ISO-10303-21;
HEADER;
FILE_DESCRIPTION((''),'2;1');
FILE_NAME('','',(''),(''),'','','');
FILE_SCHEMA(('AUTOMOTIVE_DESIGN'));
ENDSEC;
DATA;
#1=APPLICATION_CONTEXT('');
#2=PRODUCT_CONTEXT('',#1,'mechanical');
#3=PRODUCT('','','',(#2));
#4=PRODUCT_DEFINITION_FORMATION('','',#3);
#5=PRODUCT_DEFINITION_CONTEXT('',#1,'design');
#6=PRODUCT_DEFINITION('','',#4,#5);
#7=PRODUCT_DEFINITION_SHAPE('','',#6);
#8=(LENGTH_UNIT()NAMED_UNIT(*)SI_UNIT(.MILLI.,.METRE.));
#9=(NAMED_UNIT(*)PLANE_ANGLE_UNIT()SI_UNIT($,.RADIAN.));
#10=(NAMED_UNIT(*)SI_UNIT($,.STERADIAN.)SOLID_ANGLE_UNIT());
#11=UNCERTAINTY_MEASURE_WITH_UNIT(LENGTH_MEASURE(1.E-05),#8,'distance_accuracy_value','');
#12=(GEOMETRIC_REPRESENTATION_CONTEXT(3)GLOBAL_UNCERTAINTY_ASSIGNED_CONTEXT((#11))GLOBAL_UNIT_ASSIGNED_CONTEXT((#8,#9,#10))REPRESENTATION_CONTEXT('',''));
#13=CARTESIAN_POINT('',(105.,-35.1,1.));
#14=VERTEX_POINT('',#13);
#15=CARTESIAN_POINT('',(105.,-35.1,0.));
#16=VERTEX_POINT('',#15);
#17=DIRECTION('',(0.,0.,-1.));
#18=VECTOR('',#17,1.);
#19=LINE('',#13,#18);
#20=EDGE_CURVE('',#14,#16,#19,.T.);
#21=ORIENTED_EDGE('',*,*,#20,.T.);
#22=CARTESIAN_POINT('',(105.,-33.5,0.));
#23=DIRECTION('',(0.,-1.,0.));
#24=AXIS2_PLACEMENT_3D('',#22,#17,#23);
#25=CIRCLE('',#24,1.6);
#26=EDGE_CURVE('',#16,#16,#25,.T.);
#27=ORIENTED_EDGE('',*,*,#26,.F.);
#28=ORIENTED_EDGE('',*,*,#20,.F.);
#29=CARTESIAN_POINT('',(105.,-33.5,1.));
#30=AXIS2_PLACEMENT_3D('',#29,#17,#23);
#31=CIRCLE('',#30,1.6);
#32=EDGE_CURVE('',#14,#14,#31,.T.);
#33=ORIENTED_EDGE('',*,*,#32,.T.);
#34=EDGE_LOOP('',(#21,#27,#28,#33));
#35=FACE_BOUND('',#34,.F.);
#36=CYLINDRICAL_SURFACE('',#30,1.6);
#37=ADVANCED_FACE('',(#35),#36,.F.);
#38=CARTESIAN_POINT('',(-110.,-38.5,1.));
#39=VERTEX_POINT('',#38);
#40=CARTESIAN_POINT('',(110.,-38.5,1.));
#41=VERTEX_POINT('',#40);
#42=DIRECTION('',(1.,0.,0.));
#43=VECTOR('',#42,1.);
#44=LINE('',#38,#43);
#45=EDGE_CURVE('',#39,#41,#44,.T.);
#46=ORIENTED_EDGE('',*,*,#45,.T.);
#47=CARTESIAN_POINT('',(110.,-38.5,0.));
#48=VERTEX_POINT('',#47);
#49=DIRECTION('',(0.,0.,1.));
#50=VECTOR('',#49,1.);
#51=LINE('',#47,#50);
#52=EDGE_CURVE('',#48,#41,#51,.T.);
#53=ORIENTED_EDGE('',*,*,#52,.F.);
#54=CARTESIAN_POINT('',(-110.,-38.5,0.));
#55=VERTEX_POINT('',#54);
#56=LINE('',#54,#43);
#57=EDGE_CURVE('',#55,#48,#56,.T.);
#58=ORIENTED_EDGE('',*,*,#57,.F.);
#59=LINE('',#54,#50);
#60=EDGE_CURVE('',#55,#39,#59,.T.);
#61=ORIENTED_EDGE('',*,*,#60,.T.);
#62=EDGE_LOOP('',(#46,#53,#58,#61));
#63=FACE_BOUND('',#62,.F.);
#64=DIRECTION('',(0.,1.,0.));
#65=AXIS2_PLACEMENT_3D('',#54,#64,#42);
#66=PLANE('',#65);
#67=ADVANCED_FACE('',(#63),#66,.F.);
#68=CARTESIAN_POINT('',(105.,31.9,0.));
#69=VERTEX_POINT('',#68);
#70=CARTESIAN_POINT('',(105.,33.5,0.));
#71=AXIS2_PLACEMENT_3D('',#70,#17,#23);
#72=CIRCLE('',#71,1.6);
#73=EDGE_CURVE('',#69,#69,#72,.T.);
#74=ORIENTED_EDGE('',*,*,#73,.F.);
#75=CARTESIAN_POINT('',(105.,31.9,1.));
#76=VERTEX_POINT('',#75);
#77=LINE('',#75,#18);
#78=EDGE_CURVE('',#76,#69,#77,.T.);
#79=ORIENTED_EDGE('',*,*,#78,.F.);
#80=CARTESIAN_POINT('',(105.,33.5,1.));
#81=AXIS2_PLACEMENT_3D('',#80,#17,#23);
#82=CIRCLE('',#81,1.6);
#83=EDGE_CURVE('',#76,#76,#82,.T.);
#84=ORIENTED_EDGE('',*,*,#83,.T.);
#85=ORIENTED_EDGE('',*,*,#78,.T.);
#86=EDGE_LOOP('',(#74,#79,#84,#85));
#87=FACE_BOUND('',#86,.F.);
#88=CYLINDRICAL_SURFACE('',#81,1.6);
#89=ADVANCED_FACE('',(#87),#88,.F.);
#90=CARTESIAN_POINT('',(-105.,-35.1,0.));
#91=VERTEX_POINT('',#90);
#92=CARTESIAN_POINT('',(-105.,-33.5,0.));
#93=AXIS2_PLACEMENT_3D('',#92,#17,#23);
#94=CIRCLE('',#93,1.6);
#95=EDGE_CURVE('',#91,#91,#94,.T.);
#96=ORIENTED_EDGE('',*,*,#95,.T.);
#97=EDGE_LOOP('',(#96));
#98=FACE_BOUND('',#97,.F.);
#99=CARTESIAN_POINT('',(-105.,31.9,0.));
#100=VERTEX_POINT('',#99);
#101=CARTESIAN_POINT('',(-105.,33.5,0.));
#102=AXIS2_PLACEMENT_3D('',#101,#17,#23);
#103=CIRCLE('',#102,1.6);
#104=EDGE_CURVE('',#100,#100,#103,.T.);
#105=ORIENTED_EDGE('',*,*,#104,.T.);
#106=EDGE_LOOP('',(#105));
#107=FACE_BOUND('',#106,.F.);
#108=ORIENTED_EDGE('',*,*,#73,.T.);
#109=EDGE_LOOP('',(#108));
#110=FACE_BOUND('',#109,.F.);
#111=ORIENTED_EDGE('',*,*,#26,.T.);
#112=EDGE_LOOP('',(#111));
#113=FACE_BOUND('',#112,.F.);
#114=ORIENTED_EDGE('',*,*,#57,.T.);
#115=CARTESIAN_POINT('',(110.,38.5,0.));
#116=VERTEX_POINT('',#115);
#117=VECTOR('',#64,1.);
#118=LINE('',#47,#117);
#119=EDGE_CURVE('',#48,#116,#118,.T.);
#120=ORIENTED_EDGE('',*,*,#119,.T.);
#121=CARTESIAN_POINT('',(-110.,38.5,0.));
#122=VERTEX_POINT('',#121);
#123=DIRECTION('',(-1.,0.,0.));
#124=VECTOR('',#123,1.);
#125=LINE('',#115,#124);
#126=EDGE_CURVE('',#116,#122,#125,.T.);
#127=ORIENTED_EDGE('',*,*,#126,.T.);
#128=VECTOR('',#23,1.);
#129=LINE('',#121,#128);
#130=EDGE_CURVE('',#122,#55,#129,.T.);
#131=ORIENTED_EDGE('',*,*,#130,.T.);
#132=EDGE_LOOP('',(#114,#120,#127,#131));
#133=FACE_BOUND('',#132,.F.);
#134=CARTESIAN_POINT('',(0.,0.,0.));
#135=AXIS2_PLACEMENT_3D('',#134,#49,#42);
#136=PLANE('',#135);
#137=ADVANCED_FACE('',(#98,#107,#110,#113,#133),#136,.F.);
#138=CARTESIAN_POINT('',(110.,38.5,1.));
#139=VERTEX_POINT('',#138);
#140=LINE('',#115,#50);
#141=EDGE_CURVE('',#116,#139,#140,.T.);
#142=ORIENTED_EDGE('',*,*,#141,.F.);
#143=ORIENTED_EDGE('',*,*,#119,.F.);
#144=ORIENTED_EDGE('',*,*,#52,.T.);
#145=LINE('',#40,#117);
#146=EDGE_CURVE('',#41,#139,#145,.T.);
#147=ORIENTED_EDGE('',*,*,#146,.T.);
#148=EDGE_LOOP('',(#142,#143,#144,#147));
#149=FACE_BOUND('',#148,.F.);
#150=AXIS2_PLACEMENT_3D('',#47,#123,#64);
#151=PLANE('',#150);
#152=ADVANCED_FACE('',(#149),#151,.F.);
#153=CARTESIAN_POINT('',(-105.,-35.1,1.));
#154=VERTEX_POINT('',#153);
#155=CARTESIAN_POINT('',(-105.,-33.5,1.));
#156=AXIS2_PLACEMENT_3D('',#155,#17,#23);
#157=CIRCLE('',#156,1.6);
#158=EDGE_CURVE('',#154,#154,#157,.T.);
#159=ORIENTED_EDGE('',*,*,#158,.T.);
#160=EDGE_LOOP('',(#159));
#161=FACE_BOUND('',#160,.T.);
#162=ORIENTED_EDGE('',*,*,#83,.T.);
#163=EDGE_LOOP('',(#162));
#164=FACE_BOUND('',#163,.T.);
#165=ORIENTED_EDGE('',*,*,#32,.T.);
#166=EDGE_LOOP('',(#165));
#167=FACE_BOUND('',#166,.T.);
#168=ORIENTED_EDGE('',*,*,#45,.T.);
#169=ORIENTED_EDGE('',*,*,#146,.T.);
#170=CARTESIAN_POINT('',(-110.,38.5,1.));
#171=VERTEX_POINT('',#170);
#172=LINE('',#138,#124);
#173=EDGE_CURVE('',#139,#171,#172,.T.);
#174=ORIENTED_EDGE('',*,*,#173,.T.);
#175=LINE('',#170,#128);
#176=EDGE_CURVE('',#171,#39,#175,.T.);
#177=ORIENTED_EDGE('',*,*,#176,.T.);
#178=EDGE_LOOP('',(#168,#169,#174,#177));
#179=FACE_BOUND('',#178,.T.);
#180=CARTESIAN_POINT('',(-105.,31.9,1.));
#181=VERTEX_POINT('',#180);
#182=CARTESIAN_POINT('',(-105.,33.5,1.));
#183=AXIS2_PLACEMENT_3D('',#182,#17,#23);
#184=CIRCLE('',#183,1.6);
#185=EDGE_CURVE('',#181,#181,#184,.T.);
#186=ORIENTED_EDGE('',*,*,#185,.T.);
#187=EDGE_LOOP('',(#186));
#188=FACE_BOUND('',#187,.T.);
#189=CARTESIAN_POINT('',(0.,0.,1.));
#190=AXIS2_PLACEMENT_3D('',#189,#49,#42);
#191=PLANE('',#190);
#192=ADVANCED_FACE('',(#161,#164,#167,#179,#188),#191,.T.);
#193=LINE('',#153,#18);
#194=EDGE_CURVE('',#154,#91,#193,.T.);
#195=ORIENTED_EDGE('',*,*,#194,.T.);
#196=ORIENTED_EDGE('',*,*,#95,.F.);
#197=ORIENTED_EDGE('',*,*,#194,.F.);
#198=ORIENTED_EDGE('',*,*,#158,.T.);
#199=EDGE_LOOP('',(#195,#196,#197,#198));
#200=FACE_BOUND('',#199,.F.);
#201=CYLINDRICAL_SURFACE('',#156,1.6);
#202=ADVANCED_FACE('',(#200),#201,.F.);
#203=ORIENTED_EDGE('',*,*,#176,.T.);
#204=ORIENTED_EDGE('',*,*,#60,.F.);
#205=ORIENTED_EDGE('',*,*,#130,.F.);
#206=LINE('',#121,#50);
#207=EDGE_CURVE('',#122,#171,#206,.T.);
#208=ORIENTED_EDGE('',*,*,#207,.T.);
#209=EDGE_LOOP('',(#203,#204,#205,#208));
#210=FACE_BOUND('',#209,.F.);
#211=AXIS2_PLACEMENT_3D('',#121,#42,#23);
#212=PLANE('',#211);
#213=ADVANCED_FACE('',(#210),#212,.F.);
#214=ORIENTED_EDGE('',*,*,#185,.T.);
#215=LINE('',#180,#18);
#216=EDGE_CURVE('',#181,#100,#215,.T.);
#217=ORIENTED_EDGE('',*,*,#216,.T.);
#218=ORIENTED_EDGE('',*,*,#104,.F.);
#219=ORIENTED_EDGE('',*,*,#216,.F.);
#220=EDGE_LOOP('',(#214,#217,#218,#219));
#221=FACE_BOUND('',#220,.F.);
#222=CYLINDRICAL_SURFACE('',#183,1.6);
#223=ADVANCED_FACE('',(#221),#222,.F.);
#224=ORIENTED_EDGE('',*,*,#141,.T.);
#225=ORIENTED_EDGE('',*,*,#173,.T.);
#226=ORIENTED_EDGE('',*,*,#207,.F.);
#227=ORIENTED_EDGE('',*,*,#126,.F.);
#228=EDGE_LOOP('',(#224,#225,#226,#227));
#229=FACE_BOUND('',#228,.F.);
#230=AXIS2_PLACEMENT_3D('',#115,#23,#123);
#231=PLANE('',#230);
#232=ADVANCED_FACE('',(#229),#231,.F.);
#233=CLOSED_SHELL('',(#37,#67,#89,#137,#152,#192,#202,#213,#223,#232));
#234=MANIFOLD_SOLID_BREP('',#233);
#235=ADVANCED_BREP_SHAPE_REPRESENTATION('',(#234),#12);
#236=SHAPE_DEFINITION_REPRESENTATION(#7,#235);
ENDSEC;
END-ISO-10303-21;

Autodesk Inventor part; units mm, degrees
ref_plane "YZ Plane" through (0, 0, 0) normal (1, 0, 0) x (0, 1, 0)
ref_plane "XZ Plane" through (0, 0, 0) normal (0, 1, 0) x (-1, 0, 0)
ref_plane "XY Plane" through (0, 0, 0) normal (0, 0, 1) x (1, 0, 0)
sketch "スケッチ1" plane through (0, 0, 0) normal (0, 0, 1) x (1, 0, 0)
  line L0 (-110, -38.5) -> (110, -38.5)
  line L1 (110, -38.5) -> (110, 38.5)
  line L2 (110, 38.5) -> (-110, 38.5)
  line L3 (-110, 38.5) -> (-110, -38.5)
  line L4 (-110, -38.5) -> (110, 38.5) construction
  line L5 (110, -38.5) -> (-110, 38.5) construction
  point P0 (0, 0)
  dimension "d0" = 220
  dimension "d1" = 77
extrude "プレート1" add sketch "スケッチ1" along normal blind 1
sketch "スケッチ2" plane through (0, 0, 1) normal (0, 0, 1) x (1, 0, 0)
  line L0 (-110, -38.5) -> (-110, 38.5) projected
  line L1 (110, -38.5) -> (-110, -38.5) projected
  line L2 (110, 38.5) -> (110, -38.5) projected
  line L3 (-110, 38.5) -> (110, 38.5) projected
  line L4 (105, 33.5) -> (105, -33.5)
  line L5 (105, -33.5) -> (-105, -33.5)
  line L6 (-105, -33.5) -> (-105, 33.5)
  line L7 (-105, 33.5) -> (105, 33.5)
  point P0 (0, 0)
  dimension "d3" = 5
hole "穴1" at (-105, 33.5, 1) at (-105, -33.5, 1) at (105, -33.5, 1) at (105, 33.5, 1) direction (0, 0, -1) diameter 3.2 depth 1 clearance for "Flat Head Machine Screw" size "M3" standard "Ansi Metric M Profile"
equation "\"d9\" = Thickness"
equation "\"d2\" = Thickness"
equation "\"BendRadius\" = Thickness"
equation "\"BendReliefWidth\" = Thickness"
equation "\"BendReliefDepth\" = 0.5 * Thickness"
equation "\"CornerReliefSize\" = 4 * Thickness"
equation "\"MinimumRemnant\" = 2 * Thickness"
equation "\"TransitionRadius\" = BendRadius"
equation "\"JacobiRadiusSize\" = Thickness"
equation "\"GapSize\" = Thickness"
equation "\"Thickness\" = 1"
properties part number "carbon_plate14" material "CFRP"
